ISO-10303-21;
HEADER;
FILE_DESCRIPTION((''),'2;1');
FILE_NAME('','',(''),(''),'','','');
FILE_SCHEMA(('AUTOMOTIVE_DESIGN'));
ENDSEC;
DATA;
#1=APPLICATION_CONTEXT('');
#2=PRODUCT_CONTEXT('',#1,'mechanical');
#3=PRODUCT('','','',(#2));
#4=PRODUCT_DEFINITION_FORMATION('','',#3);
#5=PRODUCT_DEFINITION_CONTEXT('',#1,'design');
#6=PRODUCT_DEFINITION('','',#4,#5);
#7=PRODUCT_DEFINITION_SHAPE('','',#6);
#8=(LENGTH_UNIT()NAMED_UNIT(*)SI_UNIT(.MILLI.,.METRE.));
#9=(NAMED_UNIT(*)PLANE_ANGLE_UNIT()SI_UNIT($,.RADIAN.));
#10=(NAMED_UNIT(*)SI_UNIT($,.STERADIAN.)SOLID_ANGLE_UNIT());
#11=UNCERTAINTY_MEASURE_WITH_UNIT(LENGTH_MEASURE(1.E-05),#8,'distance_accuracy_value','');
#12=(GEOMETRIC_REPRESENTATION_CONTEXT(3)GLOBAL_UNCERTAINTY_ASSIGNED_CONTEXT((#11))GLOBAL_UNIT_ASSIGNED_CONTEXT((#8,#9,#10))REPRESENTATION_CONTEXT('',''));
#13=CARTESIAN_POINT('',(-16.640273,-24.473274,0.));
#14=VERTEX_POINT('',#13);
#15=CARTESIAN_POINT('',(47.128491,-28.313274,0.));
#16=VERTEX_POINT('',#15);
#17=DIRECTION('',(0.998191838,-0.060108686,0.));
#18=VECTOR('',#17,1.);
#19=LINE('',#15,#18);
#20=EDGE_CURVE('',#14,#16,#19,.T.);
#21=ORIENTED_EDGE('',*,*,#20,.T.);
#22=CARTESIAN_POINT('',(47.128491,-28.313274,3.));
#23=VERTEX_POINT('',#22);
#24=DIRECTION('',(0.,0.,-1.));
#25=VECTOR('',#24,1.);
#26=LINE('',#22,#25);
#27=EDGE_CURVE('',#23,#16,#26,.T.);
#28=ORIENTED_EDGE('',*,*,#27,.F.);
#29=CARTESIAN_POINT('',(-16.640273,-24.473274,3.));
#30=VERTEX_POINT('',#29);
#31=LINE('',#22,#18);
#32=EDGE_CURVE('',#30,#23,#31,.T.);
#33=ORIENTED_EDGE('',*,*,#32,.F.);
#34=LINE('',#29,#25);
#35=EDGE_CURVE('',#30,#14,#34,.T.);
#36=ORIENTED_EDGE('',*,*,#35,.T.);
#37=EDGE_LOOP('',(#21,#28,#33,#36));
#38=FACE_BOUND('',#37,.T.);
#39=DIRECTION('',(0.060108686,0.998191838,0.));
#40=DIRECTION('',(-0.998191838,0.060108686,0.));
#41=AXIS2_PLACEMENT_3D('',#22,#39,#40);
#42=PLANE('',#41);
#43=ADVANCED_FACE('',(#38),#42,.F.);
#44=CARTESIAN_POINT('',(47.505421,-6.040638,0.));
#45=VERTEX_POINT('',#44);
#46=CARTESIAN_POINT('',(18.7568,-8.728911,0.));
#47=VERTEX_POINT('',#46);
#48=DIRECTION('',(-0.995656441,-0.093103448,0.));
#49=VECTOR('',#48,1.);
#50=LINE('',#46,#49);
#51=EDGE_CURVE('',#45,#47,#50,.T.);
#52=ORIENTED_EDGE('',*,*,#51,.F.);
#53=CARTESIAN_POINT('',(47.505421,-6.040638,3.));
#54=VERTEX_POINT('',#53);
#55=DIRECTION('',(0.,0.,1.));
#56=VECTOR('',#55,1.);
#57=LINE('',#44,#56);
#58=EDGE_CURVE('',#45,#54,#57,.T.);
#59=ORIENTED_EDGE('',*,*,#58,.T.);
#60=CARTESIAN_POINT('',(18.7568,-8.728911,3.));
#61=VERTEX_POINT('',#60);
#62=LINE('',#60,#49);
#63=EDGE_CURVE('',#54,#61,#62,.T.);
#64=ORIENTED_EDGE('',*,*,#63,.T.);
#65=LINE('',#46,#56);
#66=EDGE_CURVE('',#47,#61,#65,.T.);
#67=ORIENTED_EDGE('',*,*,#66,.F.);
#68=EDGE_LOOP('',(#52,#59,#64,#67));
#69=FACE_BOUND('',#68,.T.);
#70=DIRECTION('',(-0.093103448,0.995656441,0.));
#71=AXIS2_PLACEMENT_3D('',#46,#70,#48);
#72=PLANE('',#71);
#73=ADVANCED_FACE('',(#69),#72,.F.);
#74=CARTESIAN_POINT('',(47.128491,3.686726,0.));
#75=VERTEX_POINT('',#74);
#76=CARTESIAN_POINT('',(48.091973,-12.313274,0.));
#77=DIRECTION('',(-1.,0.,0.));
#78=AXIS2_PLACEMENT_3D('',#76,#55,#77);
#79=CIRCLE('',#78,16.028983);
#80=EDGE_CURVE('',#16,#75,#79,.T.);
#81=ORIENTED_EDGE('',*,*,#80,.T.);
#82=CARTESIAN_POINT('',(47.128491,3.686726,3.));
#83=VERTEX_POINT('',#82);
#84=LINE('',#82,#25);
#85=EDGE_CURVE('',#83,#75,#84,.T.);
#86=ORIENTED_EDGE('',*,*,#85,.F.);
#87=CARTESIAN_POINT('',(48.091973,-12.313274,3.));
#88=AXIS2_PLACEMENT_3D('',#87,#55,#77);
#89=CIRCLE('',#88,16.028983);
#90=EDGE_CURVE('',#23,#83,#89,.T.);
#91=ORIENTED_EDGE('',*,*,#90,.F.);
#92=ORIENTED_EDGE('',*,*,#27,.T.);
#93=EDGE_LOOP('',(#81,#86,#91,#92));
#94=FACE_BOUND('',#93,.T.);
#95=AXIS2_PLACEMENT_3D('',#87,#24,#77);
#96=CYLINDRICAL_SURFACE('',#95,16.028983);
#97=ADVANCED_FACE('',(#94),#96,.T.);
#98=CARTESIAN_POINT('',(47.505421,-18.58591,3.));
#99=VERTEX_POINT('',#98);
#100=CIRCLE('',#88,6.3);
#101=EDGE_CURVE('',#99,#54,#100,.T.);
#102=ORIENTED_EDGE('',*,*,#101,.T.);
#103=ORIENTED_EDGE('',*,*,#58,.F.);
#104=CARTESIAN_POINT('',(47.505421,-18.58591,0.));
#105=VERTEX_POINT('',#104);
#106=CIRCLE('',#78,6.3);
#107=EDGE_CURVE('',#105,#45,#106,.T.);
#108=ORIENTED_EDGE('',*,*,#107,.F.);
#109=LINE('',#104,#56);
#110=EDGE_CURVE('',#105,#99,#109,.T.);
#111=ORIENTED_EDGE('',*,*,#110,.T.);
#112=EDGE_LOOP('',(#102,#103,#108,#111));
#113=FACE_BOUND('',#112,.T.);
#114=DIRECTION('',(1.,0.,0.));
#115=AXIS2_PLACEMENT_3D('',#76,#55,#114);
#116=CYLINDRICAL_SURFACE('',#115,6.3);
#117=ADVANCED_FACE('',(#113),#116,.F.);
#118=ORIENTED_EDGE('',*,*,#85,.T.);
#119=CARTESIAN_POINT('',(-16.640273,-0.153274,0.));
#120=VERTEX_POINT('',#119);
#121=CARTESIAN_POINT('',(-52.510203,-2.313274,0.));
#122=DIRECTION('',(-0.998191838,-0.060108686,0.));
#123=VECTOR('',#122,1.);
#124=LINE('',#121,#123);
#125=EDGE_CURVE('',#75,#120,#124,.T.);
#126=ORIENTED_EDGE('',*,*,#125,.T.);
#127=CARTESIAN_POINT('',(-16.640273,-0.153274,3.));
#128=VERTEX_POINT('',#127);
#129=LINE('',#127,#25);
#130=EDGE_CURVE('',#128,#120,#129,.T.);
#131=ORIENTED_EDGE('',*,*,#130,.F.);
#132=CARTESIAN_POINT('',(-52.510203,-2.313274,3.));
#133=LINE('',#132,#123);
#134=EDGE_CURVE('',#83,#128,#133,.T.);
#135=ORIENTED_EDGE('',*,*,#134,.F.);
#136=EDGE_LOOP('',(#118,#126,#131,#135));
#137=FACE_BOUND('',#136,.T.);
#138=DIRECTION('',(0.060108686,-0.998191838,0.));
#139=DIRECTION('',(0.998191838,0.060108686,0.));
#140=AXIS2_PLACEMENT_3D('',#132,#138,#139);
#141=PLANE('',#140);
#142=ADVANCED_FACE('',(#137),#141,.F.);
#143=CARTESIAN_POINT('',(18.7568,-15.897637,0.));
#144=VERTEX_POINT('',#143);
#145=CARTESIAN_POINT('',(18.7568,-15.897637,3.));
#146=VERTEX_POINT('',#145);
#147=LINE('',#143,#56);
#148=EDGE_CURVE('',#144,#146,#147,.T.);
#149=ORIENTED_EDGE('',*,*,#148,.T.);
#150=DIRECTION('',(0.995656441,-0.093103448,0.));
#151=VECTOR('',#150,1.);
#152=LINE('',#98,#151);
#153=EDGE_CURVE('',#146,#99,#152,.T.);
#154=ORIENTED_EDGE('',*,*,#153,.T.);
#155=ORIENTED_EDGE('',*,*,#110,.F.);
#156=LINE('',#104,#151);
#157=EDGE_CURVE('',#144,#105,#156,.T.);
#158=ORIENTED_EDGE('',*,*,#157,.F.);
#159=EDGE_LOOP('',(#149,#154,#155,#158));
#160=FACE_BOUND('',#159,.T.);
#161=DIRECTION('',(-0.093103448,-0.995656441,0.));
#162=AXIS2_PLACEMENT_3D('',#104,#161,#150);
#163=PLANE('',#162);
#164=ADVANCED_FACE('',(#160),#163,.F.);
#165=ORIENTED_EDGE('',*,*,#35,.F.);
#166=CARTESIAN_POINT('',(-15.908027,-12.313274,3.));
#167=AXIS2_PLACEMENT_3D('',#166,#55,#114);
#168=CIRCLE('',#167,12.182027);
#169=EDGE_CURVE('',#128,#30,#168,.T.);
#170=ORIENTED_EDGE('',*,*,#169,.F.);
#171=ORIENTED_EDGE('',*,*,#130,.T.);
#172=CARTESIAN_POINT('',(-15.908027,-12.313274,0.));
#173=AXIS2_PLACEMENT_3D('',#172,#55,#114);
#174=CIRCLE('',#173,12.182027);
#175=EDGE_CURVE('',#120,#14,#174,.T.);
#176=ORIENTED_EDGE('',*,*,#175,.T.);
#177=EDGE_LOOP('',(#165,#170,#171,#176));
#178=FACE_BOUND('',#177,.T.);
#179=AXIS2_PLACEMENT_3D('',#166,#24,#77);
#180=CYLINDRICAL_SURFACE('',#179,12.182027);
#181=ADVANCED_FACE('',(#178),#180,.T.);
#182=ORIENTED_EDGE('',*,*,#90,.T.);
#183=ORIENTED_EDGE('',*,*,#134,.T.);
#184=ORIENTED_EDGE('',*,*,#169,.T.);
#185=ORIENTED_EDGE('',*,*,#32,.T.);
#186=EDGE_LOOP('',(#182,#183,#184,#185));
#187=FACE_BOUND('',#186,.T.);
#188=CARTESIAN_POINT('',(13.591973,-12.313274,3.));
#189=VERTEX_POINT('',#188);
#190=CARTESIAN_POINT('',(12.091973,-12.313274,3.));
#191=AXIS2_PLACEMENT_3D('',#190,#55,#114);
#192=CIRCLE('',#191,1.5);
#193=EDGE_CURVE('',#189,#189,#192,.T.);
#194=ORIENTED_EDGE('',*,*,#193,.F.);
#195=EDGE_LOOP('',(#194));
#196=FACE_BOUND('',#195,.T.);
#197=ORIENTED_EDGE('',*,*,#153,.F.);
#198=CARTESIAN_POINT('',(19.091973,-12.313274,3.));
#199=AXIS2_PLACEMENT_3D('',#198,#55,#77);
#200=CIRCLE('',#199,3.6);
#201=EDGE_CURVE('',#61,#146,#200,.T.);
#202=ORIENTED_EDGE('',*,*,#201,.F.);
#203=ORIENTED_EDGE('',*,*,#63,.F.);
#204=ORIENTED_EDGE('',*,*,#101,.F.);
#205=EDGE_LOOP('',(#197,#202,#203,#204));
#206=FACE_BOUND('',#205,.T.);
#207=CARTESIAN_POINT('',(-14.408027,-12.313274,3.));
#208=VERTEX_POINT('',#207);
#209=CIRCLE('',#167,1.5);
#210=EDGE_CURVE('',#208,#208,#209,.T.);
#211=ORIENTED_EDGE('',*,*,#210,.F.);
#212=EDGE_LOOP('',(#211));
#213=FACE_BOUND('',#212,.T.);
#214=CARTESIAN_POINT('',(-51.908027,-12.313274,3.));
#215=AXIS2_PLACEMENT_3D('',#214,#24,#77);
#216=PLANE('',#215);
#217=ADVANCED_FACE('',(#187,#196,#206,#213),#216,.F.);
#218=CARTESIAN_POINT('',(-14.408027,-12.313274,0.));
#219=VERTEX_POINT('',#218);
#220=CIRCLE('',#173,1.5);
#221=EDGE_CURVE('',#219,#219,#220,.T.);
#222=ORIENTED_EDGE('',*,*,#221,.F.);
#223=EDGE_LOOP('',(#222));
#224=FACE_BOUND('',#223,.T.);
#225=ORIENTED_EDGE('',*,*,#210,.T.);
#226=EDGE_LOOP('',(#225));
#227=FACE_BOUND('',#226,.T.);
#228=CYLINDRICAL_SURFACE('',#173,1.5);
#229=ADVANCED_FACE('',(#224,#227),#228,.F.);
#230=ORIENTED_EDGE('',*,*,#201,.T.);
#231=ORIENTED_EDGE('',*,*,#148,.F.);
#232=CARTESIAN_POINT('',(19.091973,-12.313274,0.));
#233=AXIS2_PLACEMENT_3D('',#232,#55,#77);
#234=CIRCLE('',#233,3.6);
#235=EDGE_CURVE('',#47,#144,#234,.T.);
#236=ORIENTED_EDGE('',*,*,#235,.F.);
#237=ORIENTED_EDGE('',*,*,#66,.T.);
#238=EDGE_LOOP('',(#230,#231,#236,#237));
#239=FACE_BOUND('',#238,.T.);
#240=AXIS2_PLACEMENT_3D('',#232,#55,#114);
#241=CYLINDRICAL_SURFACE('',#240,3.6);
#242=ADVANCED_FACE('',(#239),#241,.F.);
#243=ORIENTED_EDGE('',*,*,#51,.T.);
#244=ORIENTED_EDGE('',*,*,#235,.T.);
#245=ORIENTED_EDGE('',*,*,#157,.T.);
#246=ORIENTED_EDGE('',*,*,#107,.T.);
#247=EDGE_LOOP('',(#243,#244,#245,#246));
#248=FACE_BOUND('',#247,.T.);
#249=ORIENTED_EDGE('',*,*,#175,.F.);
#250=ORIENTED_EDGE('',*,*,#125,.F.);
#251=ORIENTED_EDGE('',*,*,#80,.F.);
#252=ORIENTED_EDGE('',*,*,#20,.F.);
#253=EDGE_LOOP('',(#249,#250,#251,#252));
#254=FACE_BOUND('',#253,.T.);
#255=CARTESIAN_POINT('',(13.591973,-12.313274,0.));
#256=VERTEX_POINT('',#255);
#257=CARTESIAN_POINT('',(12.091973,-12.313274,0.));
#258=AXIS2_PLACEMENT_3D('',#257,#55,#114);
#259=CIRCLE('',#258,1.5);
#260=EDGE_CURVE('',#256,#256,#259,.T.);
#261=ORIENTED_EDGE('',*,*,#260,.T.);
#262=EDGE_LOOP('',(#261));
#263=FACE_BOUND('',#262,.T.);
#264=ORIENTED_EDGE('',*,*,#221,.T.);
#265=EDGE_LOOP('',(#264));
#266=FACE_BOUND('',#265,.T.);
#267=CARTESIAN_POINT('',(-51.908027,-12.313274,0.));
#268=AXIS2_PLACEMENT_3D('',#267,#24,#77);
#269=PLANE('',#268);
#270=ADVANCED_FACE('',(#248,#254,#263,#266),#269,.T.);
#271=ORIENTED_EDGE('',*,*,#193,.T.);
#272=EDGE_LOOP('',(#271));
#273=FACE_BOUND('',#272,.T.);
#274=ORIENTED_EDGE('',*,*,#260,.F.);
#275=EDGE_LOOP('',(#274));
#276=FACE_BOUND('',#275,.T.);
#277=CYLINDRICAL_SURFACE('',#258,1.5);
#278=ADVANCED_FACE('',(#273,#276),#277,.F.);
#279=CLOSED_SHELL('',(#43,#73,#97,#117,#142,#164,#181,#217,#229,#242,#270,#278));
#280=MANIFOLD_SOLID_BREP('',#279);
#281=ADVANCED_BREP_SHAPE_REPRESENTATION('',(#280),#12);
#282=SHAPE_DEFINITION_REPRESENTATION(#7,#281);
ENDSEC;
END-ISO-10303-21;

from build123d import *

# Parameters (mm, degrees)
BOSS_EXTRUDE1_DEPTH = 3
SKETCH2_R           = 1.5
CUT_EXTRUDE1_DEPTH  = 3
CUT_EXTRUDE2_DEPTH  = 3


with BuildPart() as part:
    # Sketch1 → Boss-Extrude1 (new body)
    with BuildSketch(Plane.XY):
        with BuildLine():
            Line((-52.51020312, -2.31327399), (47.128491464, 3.68672601))
            ThreePointArc((47.128491464, 3.68672601), (64.120955569, -12.31327399), (47.128491464, -28.31327399))
            Line((47.128491464, -28.31327399), (-52.51020312, -22.31327399))
            ThreePointArc((-52.51020312, -22.31327399), (-61.926141798, -12.31327399), (-52.51020312, -2.31327399))
        make_face()
    extrude(amount=BOSS_EXTRUDE1_DEPTH)

    # Sketch2 → Cut-Extrude1 (cut)
    with BuildSketch(Plane.XY.offset(3)):
        with Locations((12.091972574, -12.31327399)):
            Circle(SKETCH2_R)
        with Locations((-15.908027426, -12.31327399)):
            Circle(SKETCH2_R)
        with Locations((-51.908027426, -12.31327399)):
            Circle(SKETCH2_R)
        with BuildLine():
            Line((18.75680016, -8.728910804), (47.50542085, -6.040638414))
            ThreePointArc((47.50542085, -6.040638414), (54.391972574, -12.31327399), (47.50542085, -18.585909567))
            Line((47.50542085, -18.585909567), (18.75680016, -15.897637177))
            ThreePointArc((18.75680016, -15.897637177), (15.491972574, -12.31327399), (18.75680016, -8.728910804))
        make_face()
    extrude(amount=-CUT_EXTRUDE1_DEPTH, mode=Mode.SUBTRACT)

    # Sketch3 → Cut-Extrude2 (cut)
    with BuildSketch(Plane(origin=(0, 0, 0), x_dir=(-1, 0, 0), z_dir=(0, 0, -1))):
        with BuildLine():
            Line((16.640273069, -0.15327399), (68.701590892, -0.15327399))
            Line((68.701590892, -0.15327399), (68.701590892, -19.932639697))
            Line((68.701590892, -19.932639697), (68.701590892, -24.47327399))
            Line((68.701590892, -24.47327399), (16.640273069, -24.47327399))
            ThreePointArc((16.640273069, -24.47327399), (28.090054502, -12.31327399), (16.640273069, -0.15327399))
        make_face()
    extrude(amount=-CUT_EXTRUDE2_DEPTH, mode=Mode.SUBTRACT)


solid = part.part
